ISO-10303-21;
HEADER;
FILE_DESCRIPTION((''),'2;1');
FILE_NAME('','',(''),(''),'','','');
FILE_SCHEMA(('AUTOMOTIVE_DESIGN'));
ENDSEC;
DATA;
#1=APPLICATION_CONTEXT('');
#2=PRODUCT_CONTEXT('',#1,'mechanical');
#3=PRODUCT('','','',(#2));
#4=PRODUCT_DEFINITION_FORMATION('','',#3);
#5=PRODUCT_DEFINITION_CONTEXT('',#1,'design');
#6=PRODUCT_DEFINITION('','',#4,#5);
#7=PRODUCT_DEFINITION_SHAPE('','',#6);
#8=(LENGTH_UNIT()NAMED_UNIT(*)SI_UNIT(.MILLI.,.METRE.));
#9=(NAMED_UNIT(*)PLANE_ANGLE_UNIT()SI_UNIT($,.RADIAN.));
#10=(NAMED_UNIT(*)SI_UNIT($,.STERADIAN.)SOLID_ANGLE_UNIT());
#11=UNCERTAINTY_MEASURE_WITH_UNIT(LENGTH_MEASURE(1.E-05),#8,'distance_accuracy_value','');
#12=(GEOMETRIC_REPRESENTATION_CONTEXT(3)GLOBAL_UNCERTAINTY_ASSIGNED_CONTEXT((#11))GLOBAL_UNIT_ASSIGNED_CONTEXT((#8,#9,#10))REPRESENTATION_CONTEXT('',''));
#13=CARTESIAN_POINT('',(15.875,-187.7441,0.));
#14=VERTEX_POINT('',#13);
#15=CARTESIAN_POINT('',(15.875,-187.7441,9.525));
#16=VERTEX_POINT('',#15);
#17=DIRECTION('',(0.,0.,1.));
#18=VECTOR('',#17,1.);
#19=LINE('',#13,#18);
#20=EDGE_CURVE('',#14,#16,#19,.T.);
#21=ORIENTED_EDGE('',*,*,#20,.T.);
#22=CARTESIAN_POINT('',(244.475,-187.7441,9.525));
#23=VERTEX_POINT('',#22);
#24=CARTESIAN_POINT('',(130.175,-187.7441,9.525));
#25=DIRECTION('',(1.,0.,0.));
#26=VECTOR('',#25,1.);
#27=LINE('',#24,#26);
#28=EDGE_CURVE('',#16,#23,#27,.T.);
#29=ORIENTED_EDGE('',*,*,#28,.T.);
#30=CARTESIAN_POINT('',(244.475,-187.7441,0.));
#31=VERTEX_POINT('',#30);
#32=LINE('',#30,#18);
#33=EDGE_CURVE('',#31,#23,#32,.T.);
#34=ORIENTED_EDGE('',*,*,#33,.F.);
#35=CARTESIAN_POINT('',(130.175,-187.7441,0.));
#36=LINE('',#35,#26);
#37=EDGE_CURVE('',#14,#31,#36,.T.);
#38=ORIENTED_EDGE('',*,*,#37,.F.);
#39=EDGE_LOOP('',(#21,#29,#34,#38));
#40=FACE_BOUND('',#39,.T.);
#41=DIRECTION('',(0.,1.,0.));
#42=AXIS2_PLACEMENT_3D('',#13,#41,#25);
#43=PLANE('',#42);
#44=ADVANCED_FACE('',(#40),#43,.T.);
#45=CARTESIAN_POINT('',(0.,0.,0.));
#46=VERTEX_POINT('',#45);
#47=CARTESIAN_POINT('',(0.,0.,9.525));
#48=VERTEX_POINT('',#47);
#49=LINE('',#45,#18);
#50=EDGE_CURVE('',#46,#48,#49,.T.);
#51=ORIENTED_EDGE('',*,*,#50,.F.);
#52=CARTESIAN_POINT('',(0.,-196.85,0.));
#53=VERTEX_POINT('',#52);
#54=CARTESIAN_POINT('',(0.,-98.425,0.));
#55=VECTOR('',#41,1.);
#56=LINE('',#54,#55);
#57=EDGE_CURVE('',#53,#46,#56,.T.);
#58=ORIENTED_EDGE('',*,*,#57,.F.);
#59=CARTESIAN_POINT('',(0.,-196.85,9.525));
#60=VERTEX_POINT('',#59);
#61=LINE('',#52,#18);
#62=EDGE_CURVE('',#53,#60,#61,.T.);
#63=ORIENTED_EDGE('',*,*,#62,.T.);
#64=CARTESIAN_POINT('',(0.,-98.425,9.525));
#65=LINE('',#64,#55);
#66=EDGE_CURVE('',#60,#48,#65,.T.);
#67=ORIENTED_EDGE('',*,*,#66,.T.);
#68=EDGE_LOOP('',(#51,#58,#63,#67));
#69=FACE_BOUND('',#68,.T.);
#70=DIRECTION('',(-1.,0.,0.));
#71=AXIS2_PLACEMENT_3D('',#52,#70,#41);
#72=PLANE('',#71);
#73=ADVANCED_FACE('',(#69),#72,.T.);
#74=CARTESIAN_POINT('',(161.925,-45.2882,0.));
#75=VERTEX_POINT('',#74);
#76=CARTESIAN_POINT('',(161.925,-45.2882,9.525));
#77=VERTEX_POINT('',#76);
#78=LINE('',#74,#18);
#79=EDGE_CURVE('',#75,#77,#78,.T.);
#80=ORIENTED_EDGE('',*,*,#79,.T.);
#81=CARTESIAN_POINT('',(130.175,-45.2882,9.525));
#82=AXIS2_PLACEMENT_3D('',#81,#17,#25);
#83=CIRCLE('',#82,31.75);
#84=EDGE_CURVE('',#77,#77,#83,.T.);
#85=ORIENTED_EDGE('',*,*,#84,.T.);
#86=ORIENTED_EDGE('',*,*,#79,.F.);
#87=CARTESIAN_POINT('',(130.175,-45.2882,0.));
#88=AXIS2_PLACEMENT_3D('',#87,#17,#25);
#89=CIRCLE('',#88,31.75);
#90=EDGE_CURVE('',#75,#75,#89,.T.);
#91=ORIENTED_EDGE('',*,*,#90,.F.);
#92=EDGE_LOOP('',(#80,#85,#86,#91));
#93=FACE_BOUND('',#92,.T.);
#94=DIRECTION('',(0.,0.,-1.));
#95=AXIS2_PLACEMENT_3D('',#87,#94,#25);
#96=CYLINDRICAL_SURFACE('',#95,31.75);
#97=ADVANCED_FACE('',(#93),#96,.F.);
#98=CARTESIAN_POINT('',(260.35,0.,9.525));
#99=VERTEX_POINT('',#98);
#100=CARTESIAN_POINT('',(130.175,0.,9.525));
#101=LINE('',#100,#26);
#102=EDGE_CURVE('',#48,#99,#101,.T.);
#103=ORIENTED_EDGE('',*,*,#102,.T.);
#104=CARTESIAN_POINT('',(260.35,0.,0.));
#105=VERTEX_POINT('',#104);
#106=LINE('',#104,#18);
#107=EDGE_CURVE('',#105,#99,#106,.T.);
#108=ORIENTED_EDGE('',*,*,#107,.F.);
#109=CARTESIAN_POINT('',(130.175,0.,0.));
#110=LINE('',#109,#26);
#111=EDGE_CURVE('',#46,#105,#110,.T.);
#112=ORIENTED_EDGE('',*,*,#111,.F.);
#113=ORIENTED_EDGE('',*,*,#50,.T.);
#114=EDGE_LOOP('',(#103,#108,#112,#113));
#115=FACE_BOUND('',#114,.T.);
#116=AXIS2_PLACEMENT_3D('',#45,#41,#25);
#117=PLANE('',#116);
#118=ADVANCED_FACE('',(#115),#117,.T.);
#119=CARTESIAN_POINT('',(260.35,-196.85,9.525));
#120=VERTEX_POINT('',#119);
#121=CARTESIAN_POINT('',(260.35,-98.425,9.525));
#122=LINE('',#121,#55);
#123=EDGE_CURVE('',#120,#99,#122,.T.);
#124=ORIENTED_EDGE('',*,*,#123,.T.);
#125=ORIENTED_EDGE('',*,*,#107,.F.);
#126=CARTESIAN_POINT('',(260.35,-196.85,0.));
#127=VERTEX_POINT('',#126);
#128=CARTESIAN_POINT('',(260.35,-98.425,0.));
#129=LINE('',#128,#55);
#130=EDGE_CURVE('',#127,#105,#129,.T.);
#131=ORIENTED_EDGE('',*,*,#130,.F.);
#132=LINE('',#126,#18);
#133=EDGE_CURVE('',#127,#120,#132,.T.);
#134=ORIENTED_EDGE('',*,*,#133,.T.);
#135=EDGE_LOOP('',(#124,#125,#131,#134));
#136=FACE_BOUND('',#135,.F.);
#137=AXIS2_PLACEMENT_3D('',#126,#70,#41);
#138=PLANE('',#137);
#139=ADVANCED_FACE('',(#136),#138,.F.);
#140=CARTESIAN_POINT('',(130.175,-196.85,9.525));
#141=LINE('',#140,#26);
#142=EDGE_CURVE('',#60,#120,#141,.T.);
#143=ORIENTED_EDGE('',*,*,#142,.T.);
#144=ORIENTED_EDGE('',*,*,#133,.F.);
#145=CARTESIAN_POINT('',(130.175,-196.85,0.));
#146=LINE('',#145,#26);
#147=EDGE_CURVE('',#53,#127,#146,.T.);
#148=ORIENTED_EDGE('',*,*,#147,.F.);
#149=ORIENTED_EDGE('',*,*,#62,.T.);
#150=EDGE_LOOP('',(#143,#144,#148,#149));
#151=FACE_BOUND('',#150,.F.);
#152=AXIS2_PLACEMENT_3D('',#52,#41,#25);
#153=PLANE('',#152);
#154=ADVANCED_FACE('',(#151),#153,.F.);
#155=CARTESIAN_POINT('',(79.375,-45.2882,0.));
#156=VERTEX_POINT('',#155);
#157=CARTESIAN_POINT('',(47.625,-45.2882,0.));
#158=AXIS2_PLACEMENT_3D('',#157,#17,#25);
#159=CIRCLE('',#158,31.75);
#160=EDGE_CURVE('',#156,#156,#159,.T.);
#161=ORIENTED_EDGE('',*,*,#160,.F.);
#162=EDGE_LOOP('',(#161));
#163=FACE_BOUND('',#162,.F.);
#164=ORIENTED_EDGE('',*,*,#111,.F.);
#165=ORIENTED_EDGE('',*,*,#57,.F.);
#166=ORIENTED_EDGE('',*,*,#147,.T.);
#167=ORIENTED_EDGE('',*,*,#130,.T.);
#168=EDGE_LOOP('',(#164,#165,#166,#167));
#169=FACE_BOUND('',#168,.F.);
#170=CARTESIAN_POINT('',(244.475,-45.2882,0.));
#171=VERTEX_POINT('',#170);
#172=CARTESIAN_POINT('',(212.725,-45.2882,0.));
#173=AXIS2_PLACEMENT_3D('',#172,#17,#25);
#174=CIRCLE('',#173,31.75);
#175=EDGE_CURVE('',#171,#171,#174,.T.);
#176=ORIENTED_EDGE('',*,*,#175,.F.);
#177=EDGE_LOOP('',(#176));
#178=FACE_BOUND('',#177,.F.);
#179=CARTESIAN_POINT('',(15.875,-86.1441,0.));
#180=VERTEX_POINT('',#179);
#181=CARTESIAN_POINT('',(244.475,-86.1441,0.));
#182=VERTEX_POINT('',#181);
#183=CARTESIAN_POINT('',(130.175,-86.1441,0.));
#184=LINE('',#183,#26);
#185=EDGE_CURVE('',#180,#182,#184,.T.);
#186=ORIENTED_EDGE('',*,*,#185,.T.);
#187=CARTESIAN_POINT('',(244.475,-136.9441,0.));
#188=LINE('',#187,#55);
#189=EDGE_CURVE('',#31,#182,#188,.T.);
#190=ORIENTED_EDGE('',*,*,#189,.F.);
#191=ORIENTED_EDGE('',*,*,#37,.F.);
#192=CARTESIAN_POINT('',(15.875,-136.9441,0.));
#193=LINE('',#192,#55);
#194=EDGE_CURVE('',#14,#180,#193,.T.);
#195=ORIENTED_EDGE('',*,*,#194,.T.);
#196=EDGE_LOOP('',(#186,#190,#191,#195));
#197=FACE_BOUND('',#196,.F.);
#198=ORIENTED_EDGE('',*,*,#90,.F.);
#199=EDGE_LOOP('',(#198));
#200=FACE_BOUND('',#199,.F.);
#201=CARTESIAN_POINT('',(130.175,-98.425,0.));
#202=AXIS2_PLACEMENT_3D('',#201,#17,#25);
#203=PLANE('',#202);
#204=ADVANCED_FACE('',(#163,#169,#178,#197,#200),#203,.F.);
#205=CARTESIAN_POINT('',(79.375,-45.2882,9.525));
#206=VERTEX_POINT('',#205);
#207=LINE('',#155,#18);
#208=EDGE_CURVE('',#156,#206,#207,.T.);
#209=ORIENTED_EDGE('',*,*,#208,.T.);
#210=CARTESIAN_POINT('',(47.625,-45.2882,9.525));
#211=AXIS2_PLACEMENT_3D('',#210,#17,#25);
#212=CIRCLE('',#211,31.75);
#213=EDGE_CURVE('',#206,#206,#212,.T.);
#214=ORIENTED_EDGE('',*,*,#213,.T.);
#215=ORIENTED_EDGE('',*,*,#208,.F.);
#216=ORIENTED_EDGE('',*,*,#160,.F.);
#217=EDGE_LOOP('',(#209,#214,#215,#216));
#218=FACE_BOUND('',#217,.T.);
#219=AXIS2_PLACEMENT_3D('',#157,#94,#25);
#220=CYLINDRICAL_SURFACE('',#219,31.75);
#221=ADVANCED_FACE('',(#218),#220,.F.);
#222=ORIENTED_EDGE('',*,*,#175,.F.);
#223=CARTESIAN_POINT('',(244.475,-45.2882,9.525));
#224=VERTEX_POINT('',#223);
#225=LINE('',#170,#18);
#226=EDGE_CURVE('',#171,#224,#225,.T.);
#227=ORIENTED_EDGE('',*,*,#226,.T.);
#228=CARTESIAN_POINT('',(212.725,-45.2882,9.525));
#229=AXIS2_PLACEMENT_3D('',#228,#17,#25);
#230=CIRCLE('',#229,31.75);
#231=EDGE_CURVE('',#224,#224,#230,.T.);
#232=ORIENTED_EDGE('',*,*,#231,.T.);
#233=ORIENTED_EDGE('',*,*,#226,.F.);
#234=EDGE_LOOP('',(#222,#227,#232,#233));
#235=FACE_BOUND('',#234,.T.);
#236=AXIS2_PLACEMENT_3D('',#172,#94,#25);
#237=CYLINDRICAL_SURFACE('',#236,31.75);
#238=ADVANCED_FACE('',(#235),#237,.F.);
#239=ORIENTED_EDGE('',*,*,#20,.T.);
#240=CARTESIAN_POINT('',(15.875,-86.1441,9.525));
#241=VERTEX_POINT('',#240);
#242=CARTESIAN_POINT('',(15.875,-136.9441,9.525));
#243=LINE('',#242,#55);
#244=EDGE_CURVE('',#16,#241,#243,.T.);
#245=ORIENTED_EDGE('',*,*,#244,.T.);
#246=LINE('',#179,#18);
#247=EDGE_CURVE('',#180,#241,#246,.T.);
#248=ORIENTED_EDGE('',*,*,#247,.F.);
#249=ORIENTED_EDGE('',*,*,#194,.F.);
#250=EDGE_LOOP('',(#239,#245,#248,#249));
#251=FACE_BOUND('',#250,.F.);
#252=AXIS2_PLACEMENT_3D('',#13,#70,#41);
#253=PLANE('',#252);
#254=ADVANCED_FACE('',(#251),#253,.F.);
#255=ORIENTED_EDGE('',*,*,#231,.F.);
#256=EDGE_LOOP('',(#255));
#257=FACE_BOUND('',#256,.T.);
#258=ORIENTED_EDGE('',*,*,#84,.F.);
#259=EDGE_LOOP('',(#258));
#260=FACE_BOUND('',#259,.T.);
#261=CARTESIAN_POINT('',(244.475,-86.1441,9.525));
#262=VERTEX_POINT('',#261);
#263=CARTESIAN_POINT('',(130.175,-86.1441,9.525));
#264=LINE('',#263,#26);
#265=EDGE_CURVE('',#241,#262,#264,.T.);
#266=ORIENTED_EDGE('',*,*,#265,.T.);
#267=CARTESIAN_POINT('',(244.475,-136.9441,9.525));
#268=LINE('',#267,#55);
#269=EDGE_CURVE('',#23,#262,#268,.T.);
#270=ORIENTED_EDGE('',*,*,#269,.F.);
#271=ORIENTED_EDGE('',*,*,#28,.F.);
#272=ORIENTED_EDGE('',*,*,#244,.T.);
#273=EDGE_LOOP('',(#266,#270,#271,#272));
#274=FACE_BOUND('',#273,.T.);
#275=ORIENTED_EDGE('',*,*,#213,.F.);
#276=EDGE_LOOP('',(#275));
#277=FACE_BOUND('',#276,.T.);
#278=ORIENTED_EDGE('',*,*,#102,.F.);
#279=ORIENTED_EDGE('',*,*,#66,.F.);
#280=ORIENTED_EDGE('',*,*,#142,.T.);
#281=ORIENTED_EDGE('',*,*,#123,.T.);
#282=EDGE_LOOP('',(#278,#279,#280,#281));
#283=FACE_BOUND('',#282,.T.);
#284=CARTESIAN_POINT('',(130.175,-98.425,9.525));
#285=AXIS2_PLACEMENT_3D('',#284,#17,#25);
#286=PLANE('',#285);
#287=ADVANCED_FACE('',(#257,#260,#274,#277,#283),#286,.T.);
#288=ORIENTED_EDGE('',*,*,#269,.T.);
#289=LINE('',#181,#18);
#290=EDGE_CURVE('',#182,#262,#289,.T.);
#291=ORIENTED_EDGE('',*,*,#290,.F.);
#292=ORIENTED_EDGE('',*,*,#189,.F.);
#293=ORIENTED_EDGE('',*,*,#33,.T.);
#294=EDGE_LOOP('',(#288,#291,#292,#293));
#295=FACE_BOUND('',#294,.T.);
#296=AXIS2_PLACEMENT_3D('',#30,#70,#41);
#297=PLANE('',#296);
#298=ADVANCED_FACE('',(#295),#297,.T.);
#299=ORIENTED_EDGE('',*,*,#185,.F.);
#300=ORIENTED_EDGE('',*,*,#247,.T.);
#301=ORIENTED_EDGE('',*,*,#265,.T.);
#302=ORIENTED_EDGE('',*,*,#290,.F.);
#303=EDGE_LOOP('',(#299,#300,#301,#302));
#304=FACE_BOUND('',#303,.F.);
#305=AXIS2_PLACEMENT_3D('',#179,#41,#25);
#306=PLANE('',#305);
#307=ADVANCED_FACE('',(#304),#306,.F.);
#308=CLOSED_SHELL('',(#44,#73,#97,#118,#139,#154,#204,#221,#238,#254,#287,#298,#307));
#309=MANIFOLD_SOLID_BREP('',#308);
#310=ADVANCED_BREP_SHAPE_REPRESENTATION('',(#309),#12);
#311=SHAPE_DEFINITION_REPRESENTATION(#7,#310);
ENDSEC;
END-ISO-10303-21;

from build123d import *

# Parameters (mm, degrees)
F0_W     = 260.35
F0_H     = 196.85
F0_W_2   = 228.6
F0_H_2   = 101.6
F0_R     = 31.75
F1_DEPTH = 9.525


with BuildPart() as f1:
    # F0 (on Top) → F1 (new body)
    with BuildSketch(Plane.XY):
        with Locations((130.175, -98.425)):
            Rectangle(F0_W, F0_H)
        with Locations((130.175, -136.9441)):
            Rectangle(F0_W_2, F0_H_2, mode=Mode.SUBTRACT)
        with Locations((47.625, -45.2882)):
            Circle(F0_R, mode=Mode.SUBTRACT)
        with Locations((130.175, -45.2882)):
            Circle(F0_R, mode=Mode.SUBTRACT)
        with Locations((212.725, -45.2882)):
            Circle(F0_R, mode=Mode.SUBTRACT)
    extrude(amount=F1_DEPTH)


solid = f1.part
